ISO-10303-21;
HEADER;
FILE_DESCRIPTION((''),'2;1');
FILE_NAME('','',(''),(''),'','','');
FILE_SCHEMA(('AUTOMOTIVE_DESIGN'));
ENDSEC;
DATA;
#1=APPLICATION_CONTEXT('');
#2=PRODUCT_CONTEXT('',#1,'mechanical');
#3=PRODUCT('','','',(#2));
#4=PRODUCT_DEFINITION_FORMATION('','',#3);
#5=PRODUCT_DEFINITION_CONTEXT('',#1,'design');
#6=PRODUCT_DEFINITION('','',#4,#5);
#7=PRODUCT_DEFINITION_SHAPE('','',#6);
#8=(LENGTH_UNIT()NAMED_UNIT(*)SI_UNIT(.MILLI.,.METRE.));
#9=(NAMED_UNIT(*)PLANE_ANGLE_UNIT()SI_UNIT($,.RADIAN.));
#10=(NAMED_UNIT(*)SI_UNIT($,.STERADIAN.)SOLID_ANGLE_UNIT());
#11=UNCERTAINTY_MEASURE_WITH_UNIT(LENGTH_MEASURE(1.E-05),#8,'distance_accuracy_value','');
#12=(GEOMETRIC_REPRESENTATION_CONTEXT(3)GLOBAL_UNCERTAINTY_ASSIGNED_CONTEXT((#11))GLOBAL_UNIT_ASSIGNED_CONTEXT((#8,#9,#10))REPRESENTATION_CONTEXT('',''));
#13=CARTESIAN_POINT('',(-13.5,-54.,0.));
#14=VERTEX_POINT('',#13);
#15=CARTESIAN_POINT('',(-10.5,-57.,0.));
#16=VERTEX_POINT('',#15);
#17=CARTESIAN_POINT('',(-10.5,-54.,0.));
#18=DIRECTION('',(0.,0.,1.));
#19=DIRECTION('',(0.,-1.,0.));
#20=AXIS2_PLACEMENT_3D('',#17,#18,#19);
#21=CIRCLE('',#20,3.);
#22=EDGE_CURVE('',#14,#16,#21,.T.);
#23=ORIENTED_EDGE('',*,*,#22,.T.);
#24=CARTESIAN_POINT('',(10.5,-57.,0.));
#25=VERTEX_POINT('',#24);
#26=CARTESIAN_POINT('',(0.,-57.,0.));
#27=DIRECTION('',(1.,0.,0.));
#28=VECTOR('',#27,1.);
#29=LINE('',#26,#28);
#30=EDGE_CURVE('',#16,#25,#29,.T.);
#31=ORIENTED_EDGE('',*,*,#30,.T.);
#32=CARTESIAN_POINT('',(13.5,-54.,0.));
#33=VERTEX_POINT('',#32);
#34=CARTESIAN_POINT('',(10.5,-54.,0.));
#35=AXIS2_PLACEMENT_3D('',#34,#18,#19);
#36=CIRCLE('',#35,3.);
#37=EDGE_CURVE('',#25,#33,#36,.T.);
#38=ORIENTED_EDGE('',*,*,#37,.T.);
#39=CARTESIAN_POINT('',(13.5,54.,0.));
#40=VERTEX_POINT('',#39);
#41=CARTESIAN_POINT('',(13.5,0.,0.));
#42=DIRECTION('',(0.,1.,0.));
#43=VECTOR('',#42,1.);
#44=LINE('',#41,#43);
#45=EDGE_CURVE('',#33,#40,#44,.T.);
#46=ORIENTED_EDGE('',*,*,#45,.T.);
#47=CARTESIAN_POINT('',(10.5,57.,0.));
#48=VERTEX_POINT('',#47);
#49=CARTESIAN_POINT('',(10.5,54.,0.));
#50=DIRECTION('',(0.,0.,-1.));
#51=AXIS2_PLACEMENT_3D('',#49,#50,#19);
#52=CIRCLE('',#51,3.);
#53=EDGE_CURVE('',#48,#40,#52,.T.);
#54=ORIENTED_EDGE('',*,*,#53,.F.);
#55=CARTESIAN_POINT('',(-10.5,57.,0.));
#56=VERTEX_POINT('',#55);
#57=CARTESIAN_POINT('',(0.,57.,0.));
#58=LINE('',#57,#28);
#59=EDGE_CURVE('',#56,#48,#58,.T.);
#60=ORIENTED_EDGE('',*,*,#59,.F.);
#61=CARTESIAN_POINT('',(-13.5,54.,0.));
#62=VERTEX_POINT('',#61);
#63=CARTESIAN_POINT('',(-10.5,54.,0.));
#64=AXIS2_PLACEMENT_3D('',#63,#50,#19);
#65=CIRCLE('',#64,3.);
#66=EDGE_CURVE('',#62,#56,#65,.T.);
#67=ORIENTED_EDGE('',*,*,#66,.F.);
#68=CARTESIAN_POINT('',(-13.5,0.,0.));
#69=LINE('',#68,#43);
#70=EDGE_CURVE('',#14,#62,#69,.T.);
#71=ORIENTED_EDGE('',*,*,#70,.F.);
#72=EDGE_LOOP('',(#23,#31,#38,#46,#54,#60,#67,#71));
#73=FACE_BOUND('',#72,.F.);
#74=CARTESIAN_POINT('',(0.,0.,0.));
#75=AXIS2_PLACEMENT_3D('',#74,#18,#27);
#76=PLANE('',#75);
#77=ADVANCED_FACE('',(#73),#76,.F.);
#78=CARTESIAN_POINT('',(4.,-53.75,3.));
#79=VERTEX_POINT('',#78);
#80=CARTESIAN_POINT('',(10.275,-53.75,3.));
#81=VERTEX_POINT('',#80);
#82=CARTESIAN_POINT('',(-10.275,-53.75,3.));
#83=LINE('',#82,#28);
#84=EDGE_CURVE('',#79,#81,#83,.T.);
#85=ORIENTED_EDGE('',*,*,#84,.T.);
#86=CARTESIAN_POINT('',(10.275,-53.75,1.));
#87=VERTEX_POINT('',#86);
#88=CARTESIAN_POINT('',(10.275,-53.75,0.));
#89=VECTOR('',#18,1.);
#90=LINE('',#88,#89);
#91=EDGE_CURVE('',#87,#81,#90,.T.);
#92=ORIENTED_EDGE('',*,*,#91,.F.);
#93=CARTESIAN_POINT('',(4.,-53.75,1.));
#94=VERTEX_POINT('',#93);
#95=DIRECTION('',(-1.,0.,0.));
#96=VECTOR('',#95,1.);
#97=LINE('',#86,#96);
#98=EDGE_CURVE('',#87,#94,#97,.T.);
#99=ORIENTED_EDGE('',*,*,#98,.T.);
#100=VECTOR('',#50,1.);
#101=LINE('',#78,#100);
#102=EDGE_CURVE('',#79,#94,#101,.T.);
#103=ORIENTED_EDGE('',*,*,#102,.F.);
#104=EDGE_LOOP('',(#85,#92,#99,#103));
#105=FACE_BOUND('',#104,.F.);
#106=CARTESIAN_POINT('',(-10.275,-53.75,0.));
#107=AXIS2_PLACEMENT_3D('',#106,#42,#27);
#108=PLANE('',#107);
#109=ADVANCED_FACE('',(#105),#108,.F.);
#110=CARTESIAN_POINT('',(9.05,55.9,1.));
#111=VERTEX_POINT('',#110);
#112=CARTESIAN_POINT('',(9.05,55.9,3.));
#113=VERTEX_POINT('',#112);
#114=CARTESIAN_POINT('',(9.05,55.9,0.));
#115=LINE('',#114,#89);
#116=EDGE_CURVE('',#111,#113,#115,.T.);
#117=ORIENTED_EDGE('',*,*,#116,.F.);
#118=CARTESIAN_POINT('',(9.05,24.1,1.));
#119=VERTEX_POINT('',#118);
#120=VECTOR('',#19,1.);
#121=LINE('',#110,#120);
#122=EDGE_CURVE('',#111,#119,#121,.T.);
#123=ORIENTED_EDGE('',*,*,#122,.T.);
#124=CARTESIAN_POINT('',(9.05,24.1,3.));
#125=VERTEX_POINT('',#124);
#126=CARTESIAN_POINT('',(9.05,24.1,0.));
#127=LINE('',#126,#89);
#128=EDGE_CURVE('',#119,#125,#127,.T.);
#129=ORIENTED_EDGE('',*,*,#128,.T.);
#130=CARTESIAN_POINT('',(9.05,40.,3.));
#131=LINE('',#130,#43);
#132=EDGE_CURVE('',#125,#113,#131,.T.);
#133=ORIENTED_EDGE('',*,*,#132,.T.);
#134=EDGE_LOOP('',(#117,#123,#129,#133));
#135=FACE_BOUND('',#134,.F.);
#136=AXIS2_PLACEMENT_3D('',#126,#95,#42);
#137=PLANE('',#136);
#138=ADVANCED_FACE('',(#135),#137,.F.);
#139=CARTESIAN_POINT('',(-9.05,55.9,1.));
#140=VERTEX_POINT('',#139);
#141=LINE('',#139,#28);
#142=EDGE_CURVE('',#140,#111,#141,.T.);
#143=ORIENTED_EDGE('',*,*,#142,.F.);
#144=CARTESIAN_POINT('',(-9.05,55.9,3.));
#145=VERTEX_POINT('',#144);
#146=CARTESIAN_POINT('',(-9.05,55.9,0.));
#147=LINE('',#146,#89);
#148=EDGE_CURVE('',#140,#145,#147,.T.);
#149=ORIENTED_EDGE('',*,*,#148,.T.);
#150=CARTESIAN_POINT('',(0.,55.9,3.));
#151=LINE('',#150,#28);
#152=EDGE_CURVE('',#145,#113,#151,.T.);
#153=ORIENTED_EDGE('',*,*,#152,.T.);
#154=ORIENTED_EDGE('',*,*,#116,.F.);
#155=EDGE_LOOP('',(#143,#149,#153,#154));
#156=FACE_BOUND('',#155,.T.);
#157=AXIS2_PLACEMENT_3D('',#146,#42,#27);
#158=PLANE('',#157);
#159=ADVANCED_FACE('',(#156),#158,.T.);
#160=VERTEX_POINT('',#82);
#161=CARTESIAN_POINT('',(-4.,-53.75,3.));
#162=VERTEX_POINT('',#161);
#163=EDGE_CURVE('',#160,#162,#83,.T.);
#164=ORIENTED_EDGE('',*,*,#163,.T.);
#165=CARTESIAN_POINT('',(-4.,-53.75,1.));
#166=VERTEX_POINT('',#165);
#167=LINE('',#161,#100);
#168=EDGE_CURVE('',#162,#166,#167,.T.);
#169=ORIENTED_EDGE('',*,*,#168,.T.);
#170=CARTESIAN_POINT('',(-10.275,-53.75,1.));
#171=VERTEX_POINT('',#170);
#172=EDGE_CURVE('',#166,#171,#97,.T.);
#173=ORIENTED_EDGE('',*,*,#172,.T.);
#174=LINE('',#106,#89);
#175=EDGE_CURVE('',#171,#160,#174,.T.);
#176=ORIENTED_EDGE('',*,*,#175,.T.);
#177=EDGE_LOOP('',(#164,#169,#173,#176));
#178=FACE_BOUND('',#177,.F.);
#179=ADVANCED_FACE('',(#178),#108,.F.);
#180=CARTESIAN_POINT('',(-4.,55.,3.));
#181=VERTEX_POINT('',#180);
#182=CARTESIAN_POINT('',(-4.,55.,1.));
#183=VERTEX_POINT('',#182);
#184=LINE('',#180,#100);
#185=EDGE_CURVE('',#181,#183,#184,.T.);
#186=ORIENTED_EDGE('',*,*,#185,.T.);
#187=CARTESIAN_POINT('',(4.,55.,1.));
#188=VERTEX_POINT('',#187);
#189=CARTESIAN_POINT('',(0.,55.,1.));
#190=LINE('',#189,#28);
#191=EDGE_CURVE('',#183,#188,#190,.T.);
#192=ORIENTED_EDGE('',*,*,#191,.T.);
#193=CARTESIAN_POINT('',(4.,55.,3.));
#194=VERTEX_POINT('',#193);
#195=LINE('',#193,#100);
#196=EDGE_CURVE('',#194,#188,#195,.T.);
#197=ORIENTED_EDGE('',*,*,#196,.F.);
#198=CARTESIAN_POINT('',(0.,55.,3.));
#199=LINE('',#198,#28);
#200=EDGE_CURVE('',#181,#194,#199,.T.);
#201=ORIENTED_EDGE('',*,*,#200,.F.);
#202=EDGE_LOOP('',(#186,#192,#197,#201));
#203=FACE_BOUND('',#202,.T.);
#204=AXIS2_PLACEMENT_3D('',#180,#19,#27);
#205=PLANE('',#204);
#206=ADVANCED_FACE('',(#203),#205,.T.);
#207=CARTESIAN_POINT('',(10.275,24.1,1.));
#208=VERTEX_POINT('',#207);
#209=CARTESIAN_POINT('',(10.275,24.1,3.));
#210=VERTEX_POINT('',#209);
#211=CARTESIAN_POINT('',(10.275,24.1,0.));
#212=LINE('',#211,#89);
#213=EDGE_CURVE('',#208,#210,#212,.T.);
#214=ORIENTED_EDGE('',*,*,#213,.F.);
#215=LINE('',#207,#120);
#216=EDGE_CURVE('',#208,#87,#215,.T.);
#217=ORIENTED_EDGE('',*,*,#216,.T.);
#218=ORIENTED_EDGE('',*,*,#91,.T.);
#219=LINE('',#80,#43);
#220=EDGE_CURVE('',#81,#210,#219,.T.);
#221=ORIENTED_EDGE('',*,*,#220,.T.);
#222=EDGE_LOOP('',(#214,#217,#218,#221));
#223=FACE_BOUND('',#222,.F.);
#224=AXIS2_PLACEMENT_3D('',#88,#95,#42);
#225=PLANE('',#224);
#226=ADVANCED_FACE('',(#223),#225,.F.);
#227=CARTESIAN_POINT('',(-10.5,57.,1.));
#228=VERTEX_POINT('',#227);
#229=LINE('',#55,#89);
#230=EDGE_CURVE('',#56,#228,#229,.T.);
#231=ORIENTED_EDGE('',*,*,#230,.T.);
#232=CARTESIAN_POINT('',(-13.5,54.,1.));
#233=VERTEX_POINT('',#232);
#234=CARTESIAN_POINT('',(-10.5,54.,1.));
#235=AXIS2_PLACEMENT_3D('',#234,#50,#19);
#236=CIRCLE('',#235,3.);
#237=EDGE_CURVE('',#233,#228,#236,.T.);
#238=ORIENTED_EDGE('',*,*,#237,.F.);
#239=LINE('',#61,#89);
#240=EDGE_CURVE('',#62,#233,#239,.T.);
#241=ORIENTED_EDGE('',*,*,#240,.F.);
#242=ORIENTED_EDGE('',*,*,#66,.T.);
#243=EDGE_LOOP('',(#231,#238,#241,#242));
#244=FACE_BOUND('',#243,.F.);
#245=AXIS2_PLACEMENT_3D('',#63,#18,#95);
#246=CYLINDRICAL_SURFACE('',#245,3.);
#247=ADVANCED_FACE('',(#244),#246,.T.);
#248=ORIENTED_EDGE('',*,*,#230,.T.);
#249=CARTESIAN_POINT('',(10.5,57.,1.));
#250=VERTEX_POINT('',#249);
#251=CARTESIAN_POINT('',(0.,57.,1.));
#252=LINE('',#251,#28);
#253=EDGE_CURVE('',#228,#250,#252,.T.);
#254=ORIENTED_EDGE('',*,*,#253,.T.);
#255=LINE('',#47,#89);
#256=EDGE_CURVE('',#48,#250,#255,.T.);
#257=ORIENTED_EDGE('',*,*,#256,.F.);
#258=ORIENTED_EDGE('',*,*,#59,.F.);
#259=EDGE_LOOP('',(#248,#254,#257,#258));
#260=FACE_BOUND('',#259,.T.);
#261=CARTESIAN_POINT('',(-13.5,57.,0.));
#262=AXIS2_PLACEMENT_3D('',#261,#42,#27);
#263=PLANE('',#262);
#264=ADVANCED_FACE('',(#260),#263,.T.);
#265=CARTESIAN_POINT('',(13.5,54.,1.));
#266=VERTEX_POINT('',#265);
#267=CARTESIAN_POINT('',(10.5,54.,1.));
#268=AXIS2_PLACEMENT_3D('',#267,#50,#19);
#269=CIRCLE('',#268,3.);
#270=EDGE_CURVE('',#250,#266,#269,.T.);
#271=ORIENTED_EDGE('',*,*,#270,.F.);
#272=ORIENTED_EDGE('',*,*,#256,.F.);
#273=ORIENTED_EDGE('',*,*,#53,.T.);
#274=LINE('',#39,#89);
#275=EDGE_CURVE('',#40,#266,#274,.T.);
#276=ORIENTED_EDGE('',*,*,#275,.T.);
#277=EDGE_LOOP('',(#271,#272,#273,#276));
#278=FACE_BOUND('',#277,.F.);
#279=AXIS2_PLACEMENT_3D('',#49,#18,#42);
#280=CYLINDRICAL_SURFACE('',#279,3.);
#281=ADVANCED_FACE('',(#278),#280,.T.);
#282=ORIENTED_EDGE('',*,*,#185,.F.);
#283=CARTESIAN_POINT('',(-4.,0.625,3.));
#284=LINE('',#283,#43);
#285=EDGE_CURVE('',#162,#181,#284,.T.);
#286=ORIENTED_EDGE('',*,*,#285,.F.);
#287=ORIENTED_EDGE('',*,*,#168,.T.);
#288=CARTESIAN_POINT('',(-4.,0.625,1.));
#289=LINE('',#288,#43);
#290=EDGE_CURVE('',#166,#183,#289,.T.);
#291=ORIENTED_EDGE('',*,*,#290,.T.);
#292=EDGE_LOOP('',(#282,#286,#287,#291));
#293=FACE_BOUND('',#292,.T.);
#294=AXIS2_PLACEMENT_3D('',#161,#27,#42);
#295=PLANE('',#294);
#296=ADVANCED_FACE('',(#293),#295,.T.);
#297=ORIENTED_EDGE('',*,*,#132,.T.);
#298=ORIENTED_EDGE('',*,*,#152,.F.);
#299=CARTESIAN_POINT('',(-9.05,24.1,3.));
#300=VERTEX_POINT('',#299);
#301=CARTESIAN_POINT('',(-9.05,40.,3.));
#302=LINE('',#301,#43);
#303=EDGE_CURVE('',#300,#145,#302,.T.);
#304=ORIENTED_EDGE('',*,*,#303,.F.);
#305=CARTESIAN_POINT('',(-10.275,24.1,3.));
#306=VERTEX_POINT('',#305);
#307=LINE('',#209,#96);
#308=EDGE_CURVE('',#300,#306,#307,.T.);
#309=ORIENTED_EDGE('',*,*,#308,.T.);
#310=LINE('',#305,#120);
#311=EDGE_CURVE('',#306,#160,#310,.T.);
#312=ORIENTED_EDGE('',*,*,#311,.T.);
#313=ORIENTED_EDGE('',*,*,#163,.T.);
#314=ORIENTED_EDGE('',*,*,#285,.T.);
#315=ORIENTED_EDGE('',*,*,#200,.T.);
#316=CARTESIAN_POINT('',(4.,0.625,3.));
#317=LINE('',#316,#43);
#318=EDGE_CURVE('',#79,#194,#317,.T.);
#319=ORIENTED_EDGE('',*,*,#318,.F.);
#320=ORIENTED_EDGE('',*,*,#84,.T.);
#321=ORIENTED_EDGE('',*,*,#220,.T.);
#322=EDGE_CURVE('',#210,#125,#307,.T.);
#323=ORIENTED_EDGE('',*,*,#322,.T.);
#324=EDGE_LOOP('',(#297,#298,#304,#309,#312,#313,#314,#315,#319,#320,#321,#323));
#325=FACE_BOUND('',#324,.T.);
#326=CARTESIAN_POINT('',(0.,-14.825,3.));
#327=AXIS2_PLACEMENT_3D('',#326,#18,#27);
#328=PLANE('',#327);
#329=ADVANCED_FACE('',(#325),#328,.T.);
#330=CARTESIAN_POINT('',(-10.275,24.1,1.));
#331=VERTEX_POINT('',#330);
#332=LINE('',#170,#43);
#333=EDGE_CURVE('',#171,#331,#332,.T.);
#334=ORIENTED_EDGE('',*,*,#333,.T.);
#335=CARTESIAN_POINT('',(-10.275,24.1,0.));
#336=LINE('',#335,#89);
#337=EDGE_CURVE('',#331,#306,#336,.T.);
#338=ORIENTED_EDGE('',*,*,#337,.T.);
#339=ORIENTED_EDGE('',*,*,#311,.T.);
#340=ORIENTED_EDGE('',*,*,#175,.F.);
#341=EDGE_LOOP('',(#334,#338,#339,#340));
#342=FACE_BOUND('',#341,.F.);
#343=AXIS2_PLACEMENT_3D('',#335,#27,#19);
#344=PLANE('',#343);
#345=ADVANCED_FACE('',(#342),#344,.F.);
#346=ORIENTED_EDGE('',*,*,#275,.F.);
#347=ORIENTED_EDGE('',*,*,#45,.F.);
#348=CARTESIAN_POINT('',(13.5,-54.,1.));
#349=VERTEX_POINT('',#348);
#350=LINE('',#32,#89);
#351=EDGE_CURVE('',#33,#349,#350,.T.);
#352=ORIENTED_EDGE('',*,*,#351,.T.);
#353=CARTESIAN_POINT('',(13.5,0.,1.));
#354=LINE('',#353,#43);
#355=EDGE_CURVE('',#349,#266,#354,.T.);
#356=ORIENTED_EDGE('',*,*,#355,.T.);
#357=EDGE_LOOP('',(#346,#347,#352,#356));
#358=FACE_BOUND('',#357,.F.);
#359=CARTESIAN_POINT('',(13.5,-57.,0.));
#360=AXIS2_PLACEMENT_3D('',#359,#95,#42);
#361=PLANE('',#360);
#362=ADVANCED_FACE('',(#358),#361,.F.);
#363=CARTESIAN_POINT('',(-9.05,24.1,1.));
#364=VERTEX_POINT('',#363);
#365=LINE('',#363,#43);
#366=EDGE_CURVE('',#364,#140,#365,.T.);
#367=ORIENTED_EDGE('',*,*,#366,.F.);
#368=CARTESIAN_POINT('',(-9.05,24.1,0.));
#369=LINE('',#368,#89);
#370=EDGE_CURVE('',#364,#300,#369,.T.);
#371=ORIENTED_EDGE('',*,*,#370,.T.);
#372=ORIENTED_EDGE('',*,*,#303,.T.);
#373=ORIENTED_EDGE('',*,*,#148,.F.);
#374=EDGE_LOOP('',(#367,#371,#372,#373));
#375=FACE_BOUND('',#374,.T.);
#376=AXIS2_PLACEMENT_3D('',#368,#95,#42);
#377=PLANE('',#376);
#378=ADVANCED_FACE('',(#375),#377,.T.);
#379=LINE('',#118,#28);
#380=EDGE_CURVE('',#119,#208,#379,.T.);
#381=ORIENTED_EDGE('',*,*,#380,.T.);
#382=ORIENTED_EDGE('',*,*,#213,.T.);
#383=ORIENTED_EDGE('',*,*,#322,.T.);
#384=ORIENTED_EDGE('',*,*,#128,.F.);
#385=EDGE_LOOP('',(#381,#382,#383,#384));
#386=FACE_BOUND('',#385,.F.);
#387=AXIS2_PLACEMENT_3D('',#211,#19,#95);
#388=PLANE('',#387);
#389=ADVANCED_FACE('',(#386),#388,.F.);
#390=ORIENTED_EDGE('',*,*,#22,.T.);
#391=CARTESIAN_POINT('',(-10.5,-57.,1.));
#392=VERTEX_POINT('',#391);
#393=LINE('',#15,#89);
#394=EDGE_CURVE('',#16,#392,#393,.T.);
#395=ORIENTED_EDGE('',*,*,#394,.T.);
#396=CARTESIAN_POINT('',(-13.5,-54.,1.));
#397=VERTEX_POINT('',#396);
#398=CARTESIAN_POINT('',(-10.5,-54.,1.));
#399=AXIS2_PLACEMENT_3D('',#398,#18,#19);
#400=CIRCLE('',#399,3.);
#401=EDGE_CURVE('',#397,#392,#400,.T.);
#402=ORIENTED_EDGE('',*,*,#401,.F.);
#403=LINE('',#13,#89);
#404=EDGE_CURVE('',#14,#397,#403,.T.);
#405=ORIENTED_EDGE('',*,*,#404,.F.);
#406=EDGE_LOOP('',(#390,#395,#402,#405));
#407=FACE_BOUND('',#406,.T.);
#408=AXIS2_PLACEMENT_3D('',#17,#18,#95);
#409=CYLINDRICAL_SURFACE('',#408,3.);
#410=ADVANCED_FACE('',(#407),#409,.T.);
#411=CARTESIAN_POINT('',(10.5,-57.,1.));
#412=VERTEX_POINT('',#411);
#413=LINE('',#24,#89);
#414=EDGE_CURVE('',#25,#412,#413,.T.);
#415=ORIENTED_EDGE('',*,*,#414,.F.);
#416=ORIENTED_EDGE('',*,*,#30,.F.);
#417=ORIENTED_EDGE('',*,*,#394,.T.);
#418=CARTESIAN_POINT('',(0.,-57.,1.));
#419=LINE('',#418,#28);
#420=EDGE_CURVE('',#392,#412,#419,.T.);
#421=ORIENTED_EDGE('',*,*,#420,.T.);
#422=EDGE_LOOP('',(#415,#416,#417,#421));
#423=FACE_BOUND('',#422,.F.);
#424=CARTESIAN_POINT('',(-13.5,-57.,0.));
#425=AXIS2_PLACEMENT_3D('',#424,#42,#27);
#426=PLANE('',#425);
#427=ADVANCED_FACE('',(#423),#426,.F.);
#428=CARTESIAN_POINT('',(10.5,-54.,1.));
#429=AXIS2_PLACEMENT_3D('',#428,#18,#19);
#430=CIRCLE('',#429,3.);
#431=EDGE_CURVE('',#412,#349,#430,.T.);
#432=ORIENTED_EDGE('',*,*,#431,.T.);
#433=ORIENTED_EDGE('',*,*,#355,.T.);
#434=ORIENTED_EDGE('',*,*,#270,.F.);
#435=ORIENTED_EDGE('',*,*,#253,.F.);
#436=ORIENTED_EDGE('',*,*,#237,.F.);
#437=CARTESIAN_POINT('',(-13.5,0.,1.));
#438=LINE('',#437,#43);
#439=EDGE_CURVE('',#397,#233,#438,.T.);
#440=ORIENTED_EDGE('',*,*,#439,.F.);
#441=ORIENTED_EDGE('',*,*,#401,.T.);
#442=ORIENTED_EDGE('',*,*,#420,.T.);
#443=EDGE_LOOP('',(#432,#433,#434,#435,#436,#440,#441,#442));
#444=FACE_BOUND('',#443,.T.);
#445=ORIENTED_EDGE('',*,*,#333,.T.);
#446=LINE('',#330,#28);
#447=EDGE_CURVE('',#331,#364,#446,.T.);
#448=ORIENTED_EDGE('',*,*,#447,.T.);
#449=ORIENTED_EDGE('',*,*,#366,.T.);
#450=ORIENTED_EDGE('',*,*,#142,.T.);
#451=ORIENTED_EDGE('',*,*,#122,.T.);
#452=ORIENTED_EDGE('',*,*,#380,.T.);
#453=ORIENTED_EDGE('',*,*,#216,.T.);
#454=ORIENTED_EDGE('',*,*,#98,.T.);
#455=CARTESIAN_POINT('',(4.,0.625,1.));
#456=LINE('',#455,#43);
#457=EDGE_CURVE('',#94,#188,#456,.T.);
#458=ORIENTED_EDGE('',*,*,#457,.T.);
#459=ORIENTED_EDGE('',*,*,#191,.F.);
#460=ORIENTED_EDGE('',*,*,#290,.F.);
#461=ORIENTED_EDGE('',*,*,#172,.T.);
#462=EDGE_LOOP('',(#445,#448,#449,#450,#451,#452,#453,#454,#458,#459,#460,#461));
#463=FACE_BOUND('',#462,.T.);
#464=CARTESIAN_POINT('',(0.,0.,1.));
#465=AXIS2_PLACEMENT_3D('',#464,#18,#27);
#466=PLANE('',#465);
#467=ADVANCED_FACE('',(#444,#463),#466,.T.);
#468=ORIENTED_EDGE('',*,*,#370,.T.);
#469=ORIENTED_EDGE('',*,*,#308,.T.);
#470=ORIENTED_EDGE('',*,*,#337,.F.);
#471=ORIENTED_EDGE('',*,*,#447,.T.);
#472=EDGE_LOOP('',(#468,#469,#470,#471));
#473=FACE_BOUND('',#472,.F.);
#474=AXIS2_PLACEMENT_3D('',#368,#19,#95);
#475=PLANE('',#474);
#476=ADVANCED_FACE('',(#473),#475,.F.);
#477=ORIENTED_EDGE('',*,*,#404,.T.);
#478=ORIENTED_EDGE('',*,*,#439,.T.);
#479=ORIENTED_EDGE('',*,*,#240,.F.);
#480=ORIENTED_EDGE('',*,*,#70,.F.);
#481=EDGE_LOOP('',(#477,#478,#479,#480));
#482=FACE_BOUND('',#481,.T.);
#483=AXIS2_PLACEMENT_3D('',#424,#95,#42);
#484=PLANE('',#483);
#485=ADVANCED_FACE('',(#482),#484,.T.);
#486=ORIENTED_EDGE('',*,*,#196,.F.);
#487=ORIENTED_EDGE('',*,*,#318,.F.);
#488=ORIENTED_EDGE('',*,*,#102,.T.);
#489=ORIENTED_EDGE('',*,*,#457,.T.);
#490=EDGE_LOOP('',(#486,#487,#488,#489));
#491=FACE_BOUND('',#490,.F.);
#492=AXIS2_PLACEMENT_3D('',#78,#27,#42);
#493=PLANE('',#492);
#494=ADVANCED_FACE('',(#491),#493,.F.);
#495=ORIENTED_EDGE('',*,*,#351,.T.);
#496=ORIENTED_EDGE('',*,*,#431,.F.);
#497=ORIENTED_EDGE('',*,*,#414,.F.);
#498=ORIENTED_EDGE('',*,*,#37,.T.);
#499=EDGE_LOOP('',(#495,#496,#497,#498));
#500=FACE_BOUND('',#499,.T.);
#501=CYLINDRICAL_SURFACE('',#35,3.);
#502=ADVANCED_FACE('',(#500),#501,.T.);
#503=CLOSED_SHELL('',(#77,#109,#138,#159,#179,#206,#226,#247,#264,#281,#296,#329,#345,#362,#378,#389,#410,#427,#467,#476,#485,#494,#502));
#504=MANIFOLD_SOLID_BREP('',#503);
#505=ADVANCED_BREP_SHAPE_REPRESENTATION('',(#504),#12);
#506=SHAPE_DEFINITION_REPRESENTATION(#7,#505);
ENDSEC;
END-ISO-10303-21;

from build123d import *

# Parameters (mm, degrees)
F0_W     = 27
F0_H     = 114
F1_DEPTH = 1
F0_W_2   = 18.1
F0_H_2   = 31.8
F2_DEPTH = 3
F3_R     = 3
F4_W     = 8
F4_H     = 108.75
F5_DEPTH = 2


with BuildPart() as f1:
    # F0 (on Top) → F1 (new body)
    with BuildSketch(Plane.XY):
        Rectangle(F0_W, F0_H)
        Polygon((9.05, 24.1), (10.275, 24.1), (10.275, -53.75), (-10.275, -53.75), (-10.275, 24.1), (-9.05, 24.1), (-9.05, 55.9), (9.05, 55.9), align=None, mode=Mode.SUBTRACT)
    extrude(amount=F1_DEPTH)

    # F0 (on Top) → F2 (join)
    with BuildSketch(Plane.XY):
        Polygon((10.275, -53.75), (10.275, 24.1), (9.05, 24.1), (-9.05, 24.1), (-10.275, 24.1), (-10.275, -53.75), align=None)
        with Locations((0, 40)):
            Rectangle(F0_W_2, F0_H_2)
    extrude(amount=F2_DEPTH)

    # F3
    f3_edges = [f1.edges().sort_by_distance(p)[0] for p in [
        (13.5, -57, 0.5),
        (-13.5, -57, 0.5),
        (13.5, 57, 0.5),
        (-13.5, 57, 0.5),
    ]]
    fillet(f3_edges, radius=F3_R)

    # F4 (on face) → F5 (cut)
    with BuildSketch(Plane.XY.offset(3)):
        with Locations((0, 0.625)):
            Rectangle(F4_W, F4_H)
    extrude(amount=-F5_DEPTH, mode=Mode.SUBTRACT)


solid = f1.part
